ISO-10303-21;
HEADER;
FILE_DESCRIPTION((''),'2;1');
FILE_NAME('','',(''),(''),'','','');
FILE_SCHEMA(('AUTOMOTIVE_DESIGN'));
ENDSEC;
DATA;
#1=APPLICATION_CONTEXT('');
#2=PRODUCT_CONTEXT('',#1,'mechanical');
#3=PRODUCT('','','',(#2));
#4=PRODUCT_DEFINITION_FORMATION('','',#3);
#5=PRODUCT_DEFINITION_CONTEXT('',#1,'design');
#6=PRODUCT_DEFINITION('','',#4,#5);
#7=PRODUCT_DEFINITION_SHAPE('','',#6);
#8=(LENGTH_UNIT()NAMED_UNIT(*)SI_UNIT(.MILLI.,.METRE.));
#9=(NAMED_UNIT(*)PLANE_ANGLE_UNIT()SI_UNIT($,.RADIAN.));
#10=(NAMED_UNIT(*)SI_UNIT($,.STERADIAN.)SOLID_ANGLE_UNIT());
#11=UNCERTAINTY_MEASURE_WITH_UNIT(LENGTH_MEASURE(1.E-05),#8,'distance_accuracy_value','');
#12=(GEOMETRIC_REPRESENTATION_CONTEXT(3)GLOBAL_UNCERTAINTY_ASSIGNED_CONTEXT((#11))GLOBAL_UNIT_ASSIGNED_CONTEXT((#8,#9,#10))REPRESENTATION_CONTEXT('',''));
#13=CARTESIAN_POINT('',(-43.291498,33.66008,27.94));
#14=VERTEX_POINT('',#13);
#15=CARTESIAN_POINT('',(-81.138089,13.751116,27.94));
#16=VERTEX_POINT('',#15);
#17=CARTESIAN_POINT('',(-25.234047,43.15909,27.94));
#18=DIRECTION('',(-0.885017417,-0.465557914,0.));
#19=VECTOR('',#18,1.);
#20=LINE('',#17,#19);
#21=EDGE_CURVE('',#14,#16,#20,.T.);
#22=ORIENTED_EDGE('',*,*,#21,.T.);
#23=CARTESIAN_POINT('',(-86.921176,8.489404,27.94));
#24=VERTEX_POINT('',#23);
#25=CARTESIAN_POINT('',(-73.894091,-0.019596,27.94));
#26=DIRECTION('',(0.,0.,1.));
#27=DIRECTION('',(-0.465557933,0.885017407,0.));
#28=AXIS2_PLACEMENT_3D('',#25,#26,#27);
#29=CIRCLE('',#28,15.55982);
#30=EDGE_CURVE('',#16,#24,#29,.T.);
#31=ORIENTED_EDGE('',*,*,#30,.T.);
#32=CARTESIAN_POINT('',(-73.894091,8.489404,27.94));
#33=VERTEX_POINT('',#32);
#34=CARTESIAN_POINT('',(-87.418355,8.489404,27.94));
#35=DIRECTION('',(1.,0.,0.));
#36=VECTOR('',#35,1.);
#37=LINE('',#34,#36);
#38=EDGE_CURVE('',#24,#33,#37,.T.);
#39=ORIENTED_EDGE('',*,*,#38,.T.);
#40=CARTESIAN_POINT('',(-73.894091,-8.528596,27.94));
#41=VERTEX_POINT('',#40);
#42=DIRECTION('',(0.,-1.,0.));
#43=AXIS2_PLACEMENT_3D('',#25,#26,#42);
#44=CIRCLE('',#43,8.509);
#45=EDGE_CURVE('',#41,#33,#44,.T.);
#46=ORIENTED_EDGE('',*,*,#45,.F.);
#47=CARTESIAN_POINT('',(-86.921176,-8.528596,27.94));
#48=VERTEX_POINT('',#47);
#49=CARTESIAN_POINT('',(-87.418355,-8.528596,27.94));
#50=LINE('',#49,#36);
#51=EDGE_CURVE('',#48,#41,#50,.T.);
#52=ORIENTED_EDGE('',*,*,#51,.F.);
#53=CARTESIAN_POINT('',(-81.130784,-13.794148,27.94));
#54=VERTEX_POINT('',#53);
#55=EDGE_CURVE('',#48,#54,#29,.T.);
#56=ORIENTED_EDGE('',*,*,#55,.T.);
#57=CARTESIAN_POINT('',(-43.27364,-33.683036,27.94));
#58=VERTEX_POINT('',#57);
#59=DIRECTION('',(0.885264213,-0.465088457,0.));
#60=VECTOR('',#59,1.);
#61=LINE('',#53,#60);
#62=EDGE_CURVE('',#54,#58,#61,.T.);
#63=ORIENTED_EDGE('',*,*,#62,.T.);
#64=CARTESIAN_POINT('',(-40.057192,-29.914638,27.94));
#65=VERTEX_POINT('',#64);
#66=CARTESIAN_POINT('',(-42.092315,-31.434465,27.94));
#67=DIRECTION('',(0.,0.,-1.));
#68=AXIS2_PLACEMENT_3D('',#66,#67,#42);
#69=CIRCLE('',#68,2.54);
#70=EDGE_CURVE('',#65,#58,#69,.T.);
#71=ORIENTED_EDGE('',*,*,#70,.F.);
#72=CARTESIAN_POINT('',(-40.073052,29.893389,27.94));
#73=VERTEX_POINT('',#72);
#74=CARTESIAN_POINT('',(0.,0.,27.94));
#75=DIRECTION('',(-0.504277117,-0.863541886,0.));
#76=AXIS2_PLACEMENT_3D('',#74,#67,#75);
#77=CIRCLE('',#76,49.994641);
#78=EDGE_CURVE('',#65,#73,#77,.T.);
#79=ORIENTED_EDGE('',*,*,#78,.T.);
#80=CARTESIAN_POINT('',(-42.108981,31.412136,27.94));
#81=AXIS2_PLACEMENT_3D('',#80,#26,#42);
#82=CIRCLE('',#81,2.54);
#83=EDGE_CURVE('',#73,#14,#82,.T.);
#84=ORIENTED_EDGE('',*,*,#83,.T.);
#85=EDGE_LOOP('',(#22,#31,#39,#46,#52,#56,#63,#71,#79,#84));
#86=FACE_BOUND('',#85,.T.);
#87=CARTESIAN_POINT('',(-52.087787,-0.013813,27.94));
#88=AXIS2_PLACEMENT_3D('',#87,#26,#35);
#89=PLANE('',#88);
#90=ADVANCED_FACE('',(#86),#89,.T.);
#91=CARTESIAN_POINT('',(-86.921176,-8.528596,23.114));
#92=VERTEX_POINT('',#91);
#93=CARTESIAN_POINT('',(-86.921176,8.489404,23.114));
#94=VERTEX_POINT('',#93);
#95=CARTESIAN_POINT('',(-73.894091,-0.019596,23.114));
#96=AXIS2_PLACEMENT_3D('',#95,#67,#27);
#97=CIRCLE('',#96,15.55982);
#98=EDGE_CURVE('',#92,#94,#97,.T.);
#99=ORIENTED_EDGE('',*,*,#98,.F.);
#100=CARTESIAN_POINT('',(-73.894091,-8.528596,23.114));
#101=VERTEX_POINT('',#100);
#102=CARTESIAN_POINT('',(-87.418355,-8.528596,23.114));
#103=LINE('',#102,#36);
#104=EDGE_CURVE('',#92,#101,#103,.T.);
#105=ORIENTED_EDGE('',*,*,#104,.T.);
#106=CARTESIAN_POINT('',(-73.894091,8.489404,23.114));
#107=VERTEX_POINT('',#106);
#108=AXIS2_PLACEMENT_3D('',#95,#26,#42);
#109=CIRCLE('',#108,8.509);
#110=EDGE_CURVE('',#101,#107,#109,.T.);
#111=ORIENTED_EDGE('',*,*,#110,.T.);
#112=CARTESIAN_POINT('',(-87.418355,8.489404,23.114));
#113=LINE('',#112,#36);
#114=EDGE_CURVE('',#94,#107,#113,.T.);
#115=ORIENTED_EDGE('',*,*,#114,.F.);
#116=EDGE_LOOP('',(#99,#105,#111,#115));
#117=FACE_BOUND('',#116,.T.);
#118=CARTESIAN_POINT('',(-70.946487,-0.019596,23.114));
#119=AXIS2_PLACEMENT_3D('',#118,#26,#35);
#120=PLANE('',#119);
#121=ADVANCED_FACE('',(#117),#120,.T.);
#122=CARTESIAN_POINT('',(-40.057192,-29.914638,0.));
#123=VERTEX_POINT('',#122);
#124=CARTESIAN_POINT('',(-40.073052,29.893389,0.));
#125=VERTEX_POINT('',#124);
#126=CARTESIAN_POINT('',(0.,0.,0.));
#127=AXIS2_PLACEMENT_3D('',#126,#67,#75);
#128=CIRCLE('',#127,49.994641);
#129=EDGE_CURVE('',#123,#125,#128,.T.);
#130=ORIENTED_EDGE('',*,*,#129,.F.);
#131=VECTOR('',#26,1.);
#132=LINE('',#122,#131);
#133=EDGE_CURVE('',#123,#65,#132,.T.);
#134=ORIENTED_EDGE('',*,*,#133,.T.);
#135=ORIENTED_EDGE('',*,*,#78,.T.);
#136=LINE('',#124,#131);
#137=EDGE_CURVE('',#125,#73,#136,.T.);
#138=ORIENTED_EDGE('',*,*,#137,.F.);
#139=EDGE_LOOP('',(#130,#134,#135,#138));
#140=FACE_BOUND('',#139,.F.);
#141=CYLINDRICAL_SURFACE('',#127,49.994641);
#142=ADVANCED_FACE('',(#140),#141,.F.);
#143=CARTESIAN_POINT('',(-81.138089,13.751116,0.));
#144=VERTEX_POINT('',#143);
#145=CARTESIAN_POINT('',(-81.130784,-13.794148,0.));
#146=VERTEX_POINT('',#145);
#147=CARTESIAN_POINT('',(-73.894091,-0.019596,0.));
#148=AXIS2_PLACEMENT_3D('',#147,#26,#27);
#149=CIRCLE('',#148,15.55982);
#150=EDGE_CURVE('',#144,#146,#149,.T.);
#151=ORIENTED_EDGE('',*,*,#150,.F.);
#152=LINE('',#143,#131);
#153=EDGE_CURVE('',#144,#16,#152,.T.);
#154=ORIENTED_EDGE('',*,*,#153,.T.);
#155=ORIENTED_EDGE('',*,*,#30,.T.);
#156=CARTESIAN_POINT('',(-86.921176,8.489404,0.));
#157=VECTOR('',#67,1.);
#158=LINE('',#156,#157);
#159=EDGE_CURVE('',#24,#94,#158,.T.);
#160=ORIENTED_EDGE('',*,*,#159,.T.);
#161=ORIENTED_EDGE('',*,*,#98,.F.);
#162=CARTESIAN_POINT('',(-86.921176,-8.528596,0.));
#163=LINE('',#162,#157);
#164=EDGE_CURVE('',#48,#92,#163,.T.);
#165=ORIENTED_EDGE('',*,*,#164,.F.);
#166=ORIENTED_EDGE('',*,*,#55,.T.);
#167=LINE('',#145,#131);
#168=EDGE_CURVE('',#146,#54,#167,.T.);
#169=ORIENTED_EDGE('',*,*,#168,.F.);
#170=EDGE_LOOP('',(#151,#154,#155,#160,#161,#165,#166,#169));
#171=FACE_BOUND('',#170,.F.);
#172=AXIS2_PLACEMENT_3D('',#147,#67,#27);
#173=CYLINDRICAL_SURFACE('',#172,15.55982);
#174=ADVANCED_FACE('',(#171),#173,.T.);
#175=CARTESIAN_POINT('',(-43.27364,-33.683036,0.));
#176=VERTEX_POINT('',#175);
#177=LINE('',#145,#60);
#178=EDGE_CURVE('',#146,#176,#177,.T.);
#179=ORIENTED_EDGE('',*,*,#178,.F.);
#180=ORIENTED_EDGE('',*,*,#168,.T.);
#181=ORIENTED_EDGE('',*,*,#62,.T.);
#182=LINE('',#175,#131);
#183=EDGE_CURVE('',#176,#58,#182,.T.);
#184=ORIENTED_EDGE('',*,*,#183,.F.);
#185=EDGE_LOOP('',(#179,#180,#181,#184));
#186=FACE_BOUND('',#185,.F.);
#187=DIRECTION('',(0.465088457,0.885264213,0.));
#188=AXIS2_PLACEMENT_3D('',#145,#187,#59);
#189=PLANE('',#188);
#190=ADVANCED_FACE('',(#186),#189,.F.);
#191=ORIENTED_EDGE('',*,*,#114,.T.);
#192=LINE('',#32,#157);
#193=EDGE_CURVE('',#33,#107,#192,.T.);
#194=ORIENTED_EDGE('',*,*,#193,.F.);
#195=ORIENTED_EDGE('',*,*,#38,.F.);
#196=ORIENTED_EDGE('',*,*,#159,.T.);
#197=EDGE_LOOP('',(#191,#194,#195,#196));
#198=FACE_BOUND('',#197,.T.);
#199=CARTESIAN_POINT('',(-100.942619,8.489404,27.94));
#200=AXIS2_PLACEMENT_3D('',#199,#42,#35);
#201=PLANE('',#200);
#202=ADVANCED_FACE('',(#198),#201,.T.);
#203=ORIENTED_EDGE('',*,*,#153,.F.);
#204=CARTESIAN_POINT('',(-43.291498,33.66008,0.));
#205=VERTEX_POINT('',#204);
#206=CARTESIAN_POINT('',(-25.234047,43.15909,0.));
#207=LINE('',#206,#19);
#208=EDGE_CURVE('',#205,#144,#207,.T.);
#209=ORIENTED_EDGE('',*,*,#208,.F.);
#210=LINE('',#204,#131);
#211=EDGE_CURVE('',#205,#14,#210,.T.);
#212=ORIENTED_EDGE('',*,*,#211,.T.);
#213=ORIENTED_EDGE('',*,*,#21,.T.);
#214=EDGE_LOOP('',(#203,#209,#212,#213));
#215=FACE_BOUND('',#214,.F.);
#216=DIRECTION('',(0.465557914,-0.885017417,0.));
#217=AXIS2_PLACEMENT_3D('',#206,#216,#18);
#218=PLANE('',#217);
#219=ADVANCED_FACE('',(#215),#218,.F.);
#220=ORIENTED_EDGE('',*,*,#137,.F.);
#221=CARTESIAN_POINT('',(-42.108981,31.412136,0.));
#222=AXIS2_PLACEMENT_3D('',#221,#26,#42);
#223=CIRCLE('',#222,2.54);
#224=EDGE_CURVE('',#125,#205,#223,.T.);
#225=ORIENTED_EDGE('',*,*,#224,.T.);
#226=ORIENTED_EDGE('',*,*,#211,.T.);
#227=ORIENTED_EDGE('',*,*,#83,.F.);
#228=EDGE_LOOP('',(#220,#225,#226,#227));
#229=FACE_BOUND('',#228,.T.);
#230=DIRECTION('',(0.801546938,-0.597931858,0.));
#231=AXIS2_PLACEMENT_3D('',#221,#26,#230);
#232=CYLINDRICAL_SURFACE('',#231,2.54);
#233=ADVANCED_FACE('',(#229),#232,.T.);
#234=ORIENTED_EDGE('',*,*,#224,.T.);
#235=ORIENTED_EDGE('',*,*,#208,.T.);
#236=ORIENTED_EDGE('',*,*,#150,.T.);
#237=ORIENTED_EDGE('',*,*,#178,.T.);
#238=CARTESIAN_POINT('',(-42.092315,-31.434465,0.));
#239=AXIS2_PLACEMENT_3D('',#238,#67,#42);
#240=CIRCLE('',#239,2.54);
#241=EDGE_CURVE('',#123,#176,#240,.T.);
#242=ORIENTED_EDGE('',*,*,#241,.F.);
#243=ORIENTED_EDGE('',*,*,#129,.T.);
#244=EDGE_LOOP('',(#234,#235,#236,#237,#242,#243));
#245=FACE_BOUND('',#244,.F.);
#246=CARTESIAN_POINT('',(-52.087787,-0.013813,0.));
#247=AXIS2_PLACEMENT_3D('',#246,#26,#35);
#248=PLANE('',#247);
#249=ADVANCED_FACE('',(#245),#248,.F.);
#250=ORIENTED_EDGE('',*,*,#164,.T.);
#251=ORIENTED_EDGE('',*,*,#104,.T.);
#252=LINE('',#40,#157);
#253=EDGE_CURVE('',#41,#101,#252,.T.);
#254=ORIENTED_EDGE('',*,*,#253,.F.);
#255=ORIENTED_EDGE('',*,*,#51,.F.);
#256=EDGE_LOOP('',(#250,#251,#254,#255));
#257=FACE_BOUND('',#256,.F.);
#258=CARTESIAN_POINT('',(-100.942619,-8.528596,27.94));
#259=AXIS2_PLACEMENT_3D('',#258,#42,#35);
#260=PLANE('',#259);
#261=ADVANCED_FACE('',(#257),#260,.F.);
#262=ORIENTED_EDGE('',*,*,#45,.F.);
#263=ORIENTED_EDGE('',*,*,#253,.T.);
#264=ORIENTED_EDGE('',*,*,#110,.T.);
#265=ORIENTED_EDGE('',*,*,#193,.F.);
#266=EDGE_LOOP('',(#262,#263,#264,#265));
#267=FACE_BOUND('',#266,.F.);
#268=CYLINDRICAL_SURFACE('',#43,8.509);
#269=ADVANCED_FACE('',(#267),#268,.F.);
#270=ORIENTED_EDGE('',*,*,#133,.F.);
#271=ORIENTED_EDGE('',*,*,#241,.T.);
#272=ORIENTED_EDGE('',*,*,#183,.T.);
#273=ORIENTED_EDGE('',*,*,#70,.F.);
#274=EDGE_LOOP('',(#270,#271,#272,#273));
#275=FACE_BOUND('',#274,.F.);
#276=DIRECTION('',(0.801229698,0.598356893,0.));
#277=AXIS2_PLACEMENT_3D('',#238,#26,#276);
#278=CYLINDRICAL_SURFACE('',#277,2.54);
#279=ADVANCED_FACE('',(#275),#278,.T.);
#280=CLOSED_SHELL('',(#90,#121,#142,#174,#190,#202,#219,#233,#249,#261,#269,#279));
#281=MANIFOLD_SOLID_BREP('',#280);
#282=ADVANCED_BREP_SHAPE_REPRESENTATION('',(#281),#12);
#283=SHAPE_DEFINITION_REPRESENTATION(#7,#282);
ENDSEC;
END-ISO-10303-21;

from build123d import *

# Parameters (mm, degrees)
F1_DEPTH = 27.94
F2_W     = 27.048528
F2_H     = 17.018
F3_DEPTH = 4.826
F4_R     = 2.54


with BuildPart() as f1:
    # F0 (on Top) → F1 (new body)
    with BuildSketch(Plane.XY):
        with BuildLine():
            ThreePointArc((-25.211154, -43.172467), (-49.99464, -0.013258), (-25.234047, 43.15909))
            Line((-25.234047, 43.15909), (-81.138089, 13.751116))
            ThreePointArc((-81.138089, 13.751116), (-89.453911, -0.023722), (-81.130784, -13.794148))
            Line((-81.130784, -13.794148), (-25.211154, -43.172467))
        make_face()
    extrude(amount=F1_DEPTH)

    # F2 (on face) → F3 (cut)
    with BuildSketch(Plane.XY.offset(27.94)):
        with BuildLine():
            Line((-73.894091, 8.489404), (-73.894091, -8.528596))
            ThreePointArc((-73.894091, -8.528596), (-65.385091, -0.019596), (-73.894091, 8.489404))
        make_face()
        with Locations((-87.418355, -0.019596)):
            Rectangle(F2_W, F2_H)
    extrude(amount=-F3_DEPTH, mode=Mode.SUBTRACT)

    # F4
    f4_edges = [f1.edges().sort_by_distance(p)[0] for p in [
        (-25.211154, -43.172467, 13.97),
        (-25.234047, 43.15909, 13.97),
    ]]
    fillet(f4_edges, radius=F4_R)


solid = f1.part
